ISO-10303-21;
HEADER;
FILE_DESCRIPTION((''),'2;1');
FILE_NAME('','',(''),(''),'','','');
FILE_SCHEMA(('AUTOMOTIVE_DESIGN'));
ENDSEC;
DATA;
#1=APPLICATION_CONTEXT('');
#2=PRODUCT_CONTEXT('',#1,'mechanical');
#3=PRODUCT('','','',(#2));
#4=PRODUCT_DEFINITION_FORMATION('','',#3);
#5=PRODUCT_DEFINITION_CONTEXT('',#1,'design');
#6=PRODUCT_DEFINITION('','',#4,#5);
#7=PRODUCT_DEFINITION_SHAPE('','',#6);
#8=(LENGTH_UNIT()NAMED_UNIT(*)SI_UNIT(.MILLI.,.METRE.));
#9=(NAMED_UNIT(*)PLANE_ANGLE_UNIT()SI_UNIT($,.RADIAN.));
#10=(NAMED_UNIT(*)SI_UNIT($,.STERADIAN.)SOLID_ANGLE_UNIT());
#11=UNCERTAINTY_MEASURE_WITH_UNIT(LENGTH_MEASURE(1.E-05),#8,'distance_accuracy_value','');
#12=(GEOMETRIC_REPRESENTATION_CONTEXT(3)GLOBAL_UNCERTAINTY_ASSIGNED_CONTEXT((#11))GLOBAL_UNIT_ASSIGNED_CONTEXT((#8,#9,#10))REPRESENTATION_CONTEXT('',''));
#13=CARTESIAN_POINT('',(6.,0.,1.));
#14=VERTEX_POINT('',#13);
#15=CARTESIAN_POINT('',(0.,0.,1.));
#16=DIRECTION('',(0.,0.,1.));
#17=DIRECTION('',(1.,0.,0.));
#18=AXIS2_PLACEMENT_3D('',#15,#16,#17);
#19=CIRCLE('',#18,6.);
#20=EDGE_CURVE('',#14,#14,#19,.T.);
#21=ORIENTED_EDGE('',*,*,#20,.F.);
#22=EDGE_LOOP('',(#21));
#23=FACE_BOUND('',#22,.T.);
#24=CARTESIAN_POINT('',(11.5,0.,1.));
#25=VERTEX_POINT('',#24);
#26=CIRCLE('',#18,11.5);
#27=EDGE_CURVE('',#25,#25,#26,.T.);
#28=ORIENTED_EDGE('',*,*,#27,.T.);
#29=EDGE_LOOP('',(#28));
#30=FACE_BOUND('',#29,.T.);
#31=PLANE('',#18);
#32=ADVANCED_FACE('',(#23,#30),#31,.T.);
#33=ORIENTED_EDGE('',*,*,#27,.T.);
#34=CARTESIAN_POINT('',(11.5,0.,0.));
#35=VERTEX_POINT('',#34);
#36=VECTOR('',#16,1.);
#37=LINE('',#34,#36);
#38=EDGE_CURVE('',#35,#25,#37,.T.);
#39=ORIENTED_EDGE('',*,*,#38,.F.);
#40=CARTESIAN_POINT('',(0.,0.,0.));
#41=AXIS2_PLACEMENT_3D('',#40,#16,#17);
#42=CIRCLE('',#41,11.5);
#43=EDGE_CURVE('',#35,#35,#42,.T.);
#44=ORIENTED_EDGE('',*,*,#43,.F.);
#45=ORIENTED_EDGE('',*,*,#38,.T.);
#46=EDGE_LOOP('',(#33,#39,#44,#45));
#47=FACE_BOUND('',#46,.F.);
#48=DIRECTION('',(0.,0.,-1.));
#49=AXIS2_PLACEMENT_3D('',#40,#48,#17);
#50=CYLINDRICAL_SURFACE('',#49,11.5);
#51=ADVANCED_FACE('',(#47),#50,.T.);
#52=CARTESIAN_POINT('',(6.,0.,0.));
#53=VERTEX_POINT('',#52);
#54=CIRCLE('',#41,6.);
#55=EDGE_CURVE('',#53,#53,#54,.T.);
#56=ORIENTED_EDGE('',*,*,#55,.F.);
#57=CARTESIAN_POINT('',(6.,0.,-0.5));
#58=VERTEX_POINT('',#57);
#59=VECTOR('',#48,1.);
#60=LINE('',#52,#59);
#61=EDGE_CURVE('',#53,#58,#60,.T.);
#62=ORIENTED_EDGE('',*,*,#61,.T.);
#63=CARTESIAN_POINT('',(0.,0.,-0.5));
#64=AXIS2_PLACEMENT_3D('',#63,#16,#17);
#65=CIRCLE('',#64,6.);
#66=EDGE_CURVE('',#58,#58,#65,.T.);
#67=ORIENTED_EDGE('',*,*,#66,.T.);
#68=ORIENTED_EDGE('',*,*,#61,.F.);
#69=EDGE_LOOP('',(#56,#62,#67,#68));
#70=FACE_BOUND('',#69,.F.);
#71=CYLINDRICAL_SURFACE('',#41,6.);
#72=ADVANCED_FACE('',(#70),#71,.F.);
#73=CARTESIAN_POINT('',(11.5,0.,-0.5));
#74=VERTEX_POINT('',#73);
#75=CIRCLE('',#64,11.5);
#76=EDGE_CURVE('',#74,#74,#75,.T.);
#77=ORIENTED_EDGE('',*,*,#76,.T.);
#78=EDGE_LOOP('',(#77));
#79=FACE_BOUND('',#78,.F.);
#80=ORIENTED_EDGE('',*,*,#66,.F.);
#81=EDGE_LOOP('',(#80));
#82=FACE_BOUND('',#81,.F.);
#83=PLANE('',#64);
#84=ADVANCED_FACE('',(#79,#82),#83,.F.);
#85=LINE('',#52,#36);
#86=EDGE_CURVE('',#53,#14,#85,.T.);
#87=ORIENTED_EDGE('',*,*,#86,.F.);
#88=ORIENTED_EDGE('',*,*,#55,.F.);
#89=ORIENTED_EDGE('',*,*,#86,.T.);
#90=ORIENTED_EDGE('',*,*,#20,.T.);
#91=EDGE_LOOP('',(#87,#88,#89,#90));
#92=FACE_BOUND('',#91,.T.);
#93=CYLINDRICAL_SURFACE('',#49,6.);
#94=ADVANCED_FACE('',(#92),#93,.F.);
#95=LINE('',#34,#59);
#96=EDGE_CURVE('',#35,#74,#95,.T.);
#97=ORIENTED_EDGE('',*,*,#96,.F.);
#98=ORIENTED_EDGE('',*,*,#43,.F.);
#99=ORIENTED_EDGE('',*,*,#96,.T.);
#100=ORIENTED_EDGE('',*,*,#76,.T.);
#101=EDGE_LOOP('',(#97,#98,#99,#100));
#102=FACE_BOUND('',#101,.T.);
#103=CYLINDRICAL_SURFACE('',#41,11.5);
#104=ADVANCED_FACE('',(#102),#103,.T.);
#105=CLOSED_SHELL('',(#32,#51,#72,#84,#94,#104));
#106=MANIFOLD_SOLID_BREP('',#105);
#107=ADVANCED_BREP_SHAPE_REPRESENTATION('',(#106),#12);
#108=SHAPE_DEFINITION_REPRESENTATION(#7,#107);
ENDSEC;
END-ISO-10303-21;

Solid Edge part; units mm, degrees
sketch "Sketch1" plane through (0, 0, 0) normal (0, 0, 1) x (1, 0, 0)
  circle A0 centre (0, 0) radius 6
  circle A1 centre (0, 0) radius 11.5
extrude "ExtrudedProtrusion_1" add sketch "Sketch1" along normal blind 1 and the other way blind 0.5
properties material "Bronze, 90%"
